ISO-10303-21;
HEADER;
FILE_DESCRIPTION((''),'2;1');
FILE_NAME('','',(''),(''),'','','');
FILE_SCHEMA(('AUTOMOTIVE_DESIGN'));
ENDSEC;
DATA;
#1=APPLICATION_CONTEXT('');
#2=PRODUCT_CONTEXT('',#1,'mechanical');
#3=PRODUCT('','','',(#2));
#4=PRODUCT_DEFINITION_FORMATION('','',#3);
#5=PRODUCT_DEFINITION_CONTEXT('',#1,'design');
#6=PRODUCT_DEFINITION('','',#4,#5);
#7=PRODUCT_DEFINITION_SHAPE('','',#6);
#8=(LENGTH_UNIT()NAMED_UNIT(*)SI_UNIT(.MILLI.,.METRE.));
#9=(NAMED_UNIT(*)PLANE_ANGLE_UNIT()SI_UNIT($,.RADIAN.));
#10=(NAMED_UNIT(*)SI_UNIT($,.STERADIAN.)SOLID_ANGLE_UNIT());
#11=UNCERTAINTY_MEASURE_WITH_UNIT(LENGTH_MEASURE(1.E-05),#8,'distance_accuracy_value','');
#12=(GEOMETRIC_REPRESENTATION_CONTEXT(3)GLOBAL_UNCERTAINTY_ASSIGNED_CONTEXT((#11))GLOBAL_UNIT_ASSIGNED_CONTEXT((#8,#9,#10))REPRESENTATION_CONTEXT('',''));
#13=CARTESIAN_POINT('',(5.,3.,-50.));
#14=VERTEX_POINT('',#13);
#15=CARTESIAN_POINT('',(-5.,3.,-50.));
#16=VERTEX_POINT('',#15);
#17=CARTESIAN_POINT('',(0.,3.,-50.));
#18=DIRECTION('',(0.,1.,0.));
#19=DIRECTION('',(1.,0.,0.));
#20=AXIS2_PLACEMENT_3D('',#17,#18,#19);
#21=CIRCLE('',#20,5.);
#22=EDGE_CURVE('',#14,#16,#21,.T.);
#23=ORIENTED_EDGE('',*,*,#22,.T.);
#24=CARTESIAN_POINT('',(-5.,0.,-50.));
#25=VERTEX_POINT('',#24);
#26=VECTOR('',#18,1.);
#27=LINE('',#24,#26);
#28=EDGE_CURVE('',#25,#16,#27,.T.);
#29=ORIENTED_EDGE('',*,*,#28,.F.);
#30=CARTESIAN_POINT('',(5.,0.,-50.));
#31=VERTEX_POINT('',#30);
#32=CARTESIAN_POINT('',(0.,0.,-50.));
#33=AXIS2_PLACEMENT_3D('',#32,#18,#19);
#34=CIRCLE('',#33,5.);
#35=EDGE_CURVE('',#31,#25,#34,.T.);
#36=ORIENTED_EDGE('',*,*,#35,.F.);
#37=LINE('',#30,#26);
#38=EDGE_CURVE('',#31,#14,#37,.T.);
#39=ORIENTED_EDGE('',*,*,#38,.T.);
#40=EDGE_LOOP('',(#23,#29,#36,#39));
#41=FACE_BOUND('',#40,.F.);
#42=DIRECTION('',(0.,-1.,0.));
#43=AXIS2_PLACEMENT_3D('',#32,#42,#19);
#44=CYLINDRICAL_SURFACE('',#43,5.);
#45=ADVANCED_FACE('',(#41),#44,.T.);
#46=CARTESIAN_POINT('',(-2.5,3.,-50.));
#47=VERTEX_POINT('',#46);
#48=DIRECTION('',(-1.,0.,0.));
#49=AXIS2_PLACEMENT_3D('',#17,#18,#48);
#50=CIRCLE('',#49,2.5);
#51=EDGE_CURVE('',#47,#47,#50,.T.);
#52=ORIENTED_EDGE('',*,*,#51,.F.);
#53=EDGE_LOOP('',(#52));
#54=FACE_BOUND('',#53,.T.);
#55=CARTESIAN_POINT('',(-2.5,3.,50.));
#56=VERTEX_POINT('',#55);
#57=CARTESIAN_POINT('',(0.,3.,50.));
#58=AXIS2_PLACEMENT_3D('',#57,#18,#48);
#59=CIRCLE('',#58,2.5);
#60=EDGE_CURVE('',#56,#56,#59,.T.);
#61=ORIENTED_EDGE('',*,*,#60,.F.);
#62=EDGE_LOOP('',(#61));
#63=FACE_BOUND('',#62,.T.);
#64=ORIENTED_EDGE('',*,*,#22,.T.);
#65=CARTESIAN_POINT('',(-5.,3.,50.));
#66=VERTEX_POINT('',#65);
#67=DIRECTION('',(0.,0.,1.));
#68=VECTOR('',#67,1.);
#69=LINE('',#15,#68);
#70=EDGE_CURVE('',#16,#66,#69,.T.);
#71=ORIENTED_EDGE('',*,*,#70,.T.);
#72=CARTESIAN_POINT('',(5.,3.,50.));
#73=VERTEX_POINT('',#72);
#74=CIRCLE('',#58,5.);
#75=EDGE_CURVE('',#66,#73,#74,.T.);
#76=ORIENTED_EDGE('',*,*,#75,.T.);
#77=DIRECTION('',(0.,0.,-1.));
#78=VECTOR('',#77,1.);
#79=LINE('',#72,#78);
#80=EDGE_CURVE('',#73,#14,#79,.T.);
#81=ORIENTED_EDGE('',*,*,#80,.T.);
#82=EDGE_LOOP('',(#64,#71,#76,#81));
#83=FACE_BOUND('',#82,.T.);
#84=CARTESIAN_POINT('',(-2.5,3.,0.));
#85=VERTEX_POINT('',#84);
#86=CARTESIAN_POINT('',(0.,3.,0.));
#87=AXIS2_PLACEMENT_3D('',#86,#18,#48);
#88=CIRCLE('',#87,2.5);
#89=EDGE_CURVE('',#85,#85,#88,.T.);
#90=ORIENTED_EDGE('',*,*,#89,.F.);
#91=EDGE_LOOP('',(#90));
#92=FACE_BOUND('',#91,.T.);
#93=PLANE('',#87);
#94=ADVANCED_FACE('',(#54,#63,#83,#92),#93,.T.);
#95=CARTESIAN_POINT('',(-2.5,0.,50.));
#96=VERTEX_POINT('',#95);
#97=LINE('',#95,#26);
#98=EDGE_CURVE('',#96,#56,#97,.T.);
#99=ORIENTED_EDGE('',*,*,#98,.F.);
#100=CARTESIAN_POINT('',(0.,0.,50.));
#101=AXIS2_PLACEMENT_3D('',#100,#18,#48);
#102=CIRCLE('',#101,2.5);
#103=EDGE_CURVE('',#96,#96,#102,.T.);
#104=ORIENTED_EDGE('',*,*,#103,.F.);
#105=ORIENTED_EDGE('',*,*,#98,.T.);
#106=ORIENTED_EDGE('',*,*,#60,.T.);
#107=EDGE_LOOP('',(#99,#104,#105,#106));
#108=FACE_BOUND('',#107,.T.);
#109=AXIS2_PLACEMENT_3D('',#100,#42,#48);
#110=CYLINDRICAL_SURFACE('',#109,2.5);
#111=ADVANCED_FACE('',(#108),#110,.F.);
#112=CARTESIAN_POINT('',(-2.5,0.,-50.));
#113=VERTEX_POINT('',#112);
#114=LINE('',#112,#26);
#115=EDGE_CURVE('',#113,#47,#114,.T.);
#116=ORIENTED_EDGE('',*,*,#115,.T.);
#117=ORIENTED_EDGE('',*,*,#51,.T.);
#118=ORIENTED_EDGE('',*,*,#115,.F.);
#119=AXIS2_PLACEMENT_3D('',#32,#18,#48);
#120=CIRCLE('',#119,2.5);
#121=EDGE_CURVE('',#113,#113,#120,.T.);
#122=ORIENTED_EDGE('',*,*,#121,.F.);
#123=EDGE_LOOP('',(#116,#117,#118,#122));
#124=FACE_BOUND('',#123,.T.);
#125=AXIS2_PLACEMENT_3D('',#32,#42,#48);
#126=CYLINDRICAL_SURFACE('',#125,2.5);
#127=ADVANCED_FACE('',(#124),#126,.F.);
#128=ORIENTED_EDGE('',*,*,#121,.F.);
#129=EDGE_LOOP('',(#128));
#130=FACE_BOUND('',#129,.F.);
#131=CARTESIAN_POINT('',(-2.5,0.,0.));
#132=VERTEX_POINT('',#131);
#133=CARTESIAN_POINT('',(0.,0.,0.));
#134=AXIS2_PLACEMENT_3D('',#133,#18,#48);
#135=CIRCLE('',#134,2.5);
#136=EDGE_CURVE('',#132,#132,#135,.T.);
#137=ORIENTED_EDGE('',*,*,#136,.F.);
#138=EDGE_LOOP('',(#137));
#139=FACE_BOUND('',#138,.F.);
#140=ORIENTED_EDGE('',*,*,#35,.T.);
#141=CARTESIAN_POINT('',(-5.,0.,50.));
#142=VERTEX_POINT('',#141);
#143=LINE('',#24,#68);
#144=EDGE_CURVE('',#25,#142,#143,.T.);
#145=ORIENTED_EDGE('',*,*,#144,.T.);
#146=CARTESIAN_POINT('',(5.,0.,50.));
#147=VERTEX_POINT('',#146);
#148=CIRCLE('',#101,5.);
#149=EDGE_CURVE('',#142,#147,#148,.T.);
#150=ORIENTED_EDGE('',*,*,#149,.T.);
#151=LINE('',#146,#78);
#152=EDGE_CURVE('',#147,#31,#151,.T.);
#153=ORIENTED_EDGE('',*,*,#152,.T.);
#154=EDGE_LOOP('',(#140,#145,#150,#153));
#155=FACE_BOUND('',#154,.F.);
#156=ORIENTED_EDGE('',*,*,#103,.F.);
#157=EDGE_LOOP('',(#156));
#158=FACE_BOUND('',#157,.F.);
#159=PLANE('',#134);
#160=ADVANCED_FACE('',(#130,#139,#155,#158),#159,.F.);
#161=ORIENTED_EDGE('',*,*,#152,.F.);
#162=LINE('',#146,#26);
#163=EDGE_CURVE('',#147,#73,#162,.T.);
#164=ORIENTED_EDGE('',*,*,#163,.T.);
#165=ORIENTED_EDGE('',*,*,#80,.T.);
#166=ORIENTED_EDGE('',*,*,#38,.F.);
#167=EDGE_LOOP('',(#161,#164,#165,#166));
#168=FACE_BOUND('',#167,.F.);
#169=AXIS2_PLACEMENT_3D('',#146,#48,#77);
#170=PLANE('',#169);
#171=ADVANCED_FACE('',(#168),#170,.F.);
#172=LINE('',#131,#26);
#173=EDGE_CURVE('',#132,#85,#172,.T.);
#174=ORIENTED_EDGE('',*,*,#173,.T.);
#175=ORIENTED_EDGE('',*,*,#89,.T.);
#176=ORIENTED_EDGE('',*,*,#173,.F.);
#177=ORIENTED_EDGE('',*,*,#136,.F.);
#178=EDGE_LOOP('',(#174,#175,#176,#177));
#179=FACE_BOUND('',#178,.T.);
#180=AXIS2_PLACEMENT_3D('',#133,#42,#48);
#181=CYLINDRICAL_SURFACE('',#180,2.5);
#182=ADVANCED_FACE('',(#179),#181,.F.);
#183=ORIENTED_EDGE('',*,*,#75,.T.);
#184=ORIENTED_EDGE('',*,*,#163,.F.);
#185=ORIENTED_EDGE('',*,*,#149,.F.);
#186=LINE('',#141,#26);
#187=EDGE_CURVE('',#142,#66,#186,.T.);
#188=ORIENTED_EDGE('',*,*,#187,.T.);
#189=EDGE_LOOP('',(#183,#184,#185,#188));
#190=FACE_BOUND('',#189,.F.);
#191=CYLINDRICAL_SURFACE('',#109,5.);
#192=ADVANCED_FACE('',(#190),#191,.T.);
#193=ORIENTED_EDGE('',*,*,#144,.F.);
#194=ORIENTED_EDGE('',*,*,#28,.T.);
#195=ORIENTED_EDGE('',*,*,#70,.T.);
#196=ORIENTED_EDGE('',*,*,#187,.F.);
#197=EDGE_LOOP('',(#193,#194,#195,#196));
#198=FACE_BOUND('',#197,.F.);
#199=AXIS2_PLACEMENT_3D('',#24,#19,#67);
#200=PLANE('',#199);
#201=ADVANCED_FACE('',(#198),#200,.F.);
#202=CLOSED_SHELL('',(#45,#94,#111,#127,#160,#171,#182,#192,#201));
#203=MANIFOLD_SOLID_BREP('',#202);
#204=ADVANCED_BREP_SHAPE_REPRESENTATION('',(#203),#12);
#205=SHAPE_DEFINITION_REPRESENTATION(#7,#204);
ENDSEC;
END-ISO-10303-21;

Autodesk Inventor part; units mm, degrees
ref_plane "YZ Plane" through (0, 0, 0) normal (1, 0, 0) x (0, 1, 0)
ref_plane "XZ Plane" through (0, 0, 0) normal (0, 1, 0) x (-1, 0, 0)
ref_plane "XY Plane" through (0, 0, 0) normal (0, 0, 1) x (1, 0, 0)
sketch "Sketch1" plane through (0, 0, 0) normal (0, 1, 0) x (-1, 0, 0)
  line L0 (0, 50) -> (0, -50) construction
  line L1 (-5, 50) -> (-5, -50)
  line L2 (5, -50) -> (5, 50)
  arc A0 (5, 50) -> (-5, 50) centre (0, 50) ccw
  arc A1 (-5, -50) -> (5, -50) centre (0, -50) ccw
  circle A2 centre (0, 50) radius 2.5
  circle A3 centre (0, 0) radius 2.5
  circle A4 centre (0, -50) radius 2.5
  dimension "d0" = 50
  dimension "d1" = 10
  dimension "d2" = 5
  dimension "d3" = 5
  dimension "d4" = 5
extrude "Extrusion1" add sketch "Sketch1" along normal blind 3
properties part number "Lazy Tongs beam Long"
